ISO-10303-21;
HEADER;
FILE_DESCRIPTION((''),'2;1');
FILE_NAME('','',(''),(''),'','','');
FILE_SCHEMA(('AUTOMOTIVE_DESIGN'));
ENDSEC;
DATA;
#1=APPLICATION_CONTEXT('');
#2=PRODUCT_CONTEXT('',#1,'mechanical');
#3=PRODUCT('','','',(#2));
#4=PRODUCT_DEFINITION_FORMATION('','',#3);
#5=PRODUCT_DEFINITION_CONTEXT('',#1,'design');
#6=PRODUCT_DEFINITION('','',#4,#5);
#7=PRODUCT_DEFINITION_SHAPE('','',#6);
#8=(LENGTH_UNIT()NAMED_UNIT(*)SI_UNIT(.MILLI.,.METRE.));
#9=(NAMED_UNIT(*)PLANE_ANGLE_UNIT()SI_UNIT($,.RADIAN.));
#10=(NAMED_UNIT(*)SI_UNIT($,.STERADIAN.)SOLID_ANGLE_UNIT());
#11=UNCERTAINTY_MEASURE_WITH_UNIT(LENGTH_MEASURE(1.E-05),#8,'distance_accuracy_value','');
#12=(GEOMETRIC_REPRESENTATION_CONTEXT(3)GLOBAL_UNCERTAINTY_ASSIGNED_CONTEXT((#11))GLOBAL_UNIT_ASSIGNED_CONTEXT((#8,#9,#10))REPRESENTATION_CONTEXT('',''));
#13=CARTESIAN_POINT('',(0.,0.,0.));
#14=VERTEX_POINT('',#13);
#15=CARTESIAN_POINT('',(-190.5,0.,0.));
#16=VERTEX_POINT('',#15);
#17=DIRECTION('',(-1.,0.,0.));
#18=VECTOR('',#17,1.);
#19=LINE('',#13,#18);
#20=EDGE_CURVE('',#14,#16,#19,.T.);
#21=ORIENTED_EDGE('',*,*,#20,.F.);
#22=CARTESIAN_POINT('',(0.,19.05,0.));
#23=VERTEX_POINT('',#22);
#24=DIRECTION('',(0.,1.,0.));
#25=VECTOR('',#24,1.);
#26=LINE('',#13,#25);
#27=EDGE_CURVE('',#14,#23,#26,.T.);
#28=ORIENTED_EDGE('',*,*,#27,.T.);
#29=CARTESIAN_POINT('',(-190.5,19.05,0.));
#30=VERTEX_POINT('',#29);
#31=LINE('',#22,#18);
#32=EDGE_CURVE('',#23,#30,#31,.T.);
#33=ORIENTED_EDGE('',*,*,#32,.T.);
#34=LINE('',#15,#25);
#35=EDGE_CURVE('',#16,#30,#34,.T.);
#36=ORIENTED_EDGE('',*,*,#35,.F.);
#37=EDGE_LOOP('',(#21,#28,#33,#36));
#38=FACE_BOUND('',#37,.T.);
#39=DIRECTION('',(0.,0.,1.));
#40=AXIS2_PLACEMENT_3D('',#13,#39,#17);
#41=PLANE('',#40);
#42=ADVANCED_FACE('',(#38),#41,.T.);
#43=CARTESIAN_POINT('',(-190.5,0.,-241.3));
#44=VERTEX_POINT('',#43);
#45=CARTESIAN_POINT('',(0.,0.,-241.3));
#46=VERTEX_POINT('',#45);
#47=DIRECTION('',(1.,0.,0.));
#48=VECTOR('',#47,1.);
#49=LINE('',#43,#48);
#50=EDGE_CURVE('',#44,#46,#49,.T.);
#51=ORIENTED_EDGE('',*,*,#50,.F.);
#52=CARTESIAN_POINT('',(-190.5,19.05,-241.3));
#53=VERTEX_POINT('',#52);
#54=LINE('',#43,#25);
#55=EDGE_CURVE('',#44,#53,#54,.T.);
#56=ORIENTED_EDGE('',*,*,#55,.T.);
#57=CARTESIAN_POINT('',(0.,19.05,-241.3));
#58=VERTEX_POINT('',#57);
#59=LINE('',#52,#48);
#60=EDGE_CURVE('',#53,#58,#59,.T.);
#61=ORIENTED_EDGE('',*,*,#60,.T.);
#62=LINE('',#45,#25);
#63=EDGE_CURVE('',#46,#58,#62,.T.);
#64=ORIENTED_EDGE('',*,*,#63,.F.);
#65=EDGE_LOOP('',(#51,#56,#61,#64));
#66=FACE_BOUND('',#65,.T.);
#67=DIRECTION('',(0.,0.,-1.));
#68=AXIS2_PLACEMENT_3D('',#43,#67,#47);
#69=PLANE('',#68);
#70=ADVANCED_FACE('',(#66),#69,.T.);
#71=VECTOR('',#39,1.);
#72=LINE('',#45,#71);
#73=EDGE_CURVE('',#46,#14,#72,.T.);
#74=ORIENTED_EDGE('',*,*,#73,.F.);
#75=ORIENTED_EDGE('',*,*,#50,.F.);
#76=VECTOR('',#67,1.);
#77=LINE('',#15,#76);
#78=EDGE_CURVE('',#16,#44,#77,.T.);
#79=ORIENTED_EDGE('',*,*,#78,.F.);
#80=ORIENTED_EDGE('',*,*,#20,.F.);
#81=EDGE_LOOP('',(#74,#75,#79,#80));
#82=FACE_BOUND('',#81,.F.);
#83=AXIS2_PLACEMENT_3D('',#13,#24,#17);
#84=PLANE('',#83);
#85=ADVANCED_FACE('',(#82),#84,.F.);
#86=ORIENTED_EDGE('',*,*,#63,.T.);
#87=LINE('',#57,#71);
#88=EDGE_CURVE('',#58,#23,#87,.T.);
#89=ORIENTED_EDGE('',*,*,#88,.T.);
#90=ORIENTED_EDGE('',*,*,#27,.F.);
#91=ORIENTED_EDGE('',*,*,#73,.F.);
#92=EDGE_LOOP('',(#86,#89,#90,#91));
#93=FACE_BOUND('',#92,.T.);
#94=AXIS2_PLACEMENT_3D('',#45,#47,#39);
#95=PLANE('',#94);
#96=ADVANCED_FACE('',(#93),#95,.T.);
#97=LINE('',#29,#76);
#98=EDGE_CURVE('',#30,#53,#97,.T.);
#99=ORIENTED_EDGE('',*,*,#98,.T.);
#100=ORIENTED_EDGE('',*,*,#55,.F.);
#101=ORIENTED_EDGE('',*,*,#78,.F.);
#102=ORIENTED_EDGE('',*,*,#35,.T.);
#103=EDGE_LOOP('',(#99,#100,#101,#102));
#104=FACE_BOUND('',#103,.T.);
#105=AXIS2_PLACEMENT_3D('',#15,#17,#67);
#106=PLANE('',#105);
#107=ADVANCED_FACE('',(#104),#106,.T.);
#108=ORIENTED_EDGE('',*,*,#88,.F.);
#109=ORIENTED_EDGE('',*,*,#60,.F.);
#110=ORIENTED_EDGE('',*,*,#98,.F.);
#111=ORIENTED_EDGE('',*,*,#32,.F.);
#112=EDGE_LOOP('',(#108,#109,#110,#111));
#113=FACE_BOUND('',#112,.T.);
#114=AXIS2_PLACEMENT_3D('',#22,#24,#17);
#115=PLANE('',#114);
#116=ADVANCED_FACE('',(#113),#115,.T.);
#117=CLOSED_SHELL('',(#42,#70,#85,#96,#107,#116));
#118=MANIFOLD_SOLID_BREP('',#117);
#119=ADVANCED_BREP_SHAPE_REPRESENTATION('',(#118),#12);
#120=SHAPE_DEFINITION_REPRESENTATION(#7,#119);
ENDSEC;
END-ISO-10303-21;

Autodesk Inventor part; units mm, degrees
ref_plane "YZ Plane" through (0, 0, 0) normal (1, 0, 0) x (0, 1, 0)
ref_plane "XZ Plane" through (0, 0, 0) normal (0, 1, 0) x (-1, 0, 0)
ref_plane "XY Plane" through (0, 0, 0) normal (0, 0, 1) x (1, 0, 0)
sketch "Sketch1" plane through (0, 0, 0) normal (0, 1, 0) x (-1, 0, 0)
  line L0 (0, 0) -> (190.5, 0)
  line L1 (190.5, 0) -> (190.5, -241.3)
  line L2 (190.5, -241.3) -> (0, -241.3)
  line L3 (0, -241.3) -> (0, 0)
  dimension "d0" = 190.5
  dimension "d1" = 241.3
extrude "Extrusion1" add sketch "Sketch1" along normal blind 19.05
properties part number "Top"
